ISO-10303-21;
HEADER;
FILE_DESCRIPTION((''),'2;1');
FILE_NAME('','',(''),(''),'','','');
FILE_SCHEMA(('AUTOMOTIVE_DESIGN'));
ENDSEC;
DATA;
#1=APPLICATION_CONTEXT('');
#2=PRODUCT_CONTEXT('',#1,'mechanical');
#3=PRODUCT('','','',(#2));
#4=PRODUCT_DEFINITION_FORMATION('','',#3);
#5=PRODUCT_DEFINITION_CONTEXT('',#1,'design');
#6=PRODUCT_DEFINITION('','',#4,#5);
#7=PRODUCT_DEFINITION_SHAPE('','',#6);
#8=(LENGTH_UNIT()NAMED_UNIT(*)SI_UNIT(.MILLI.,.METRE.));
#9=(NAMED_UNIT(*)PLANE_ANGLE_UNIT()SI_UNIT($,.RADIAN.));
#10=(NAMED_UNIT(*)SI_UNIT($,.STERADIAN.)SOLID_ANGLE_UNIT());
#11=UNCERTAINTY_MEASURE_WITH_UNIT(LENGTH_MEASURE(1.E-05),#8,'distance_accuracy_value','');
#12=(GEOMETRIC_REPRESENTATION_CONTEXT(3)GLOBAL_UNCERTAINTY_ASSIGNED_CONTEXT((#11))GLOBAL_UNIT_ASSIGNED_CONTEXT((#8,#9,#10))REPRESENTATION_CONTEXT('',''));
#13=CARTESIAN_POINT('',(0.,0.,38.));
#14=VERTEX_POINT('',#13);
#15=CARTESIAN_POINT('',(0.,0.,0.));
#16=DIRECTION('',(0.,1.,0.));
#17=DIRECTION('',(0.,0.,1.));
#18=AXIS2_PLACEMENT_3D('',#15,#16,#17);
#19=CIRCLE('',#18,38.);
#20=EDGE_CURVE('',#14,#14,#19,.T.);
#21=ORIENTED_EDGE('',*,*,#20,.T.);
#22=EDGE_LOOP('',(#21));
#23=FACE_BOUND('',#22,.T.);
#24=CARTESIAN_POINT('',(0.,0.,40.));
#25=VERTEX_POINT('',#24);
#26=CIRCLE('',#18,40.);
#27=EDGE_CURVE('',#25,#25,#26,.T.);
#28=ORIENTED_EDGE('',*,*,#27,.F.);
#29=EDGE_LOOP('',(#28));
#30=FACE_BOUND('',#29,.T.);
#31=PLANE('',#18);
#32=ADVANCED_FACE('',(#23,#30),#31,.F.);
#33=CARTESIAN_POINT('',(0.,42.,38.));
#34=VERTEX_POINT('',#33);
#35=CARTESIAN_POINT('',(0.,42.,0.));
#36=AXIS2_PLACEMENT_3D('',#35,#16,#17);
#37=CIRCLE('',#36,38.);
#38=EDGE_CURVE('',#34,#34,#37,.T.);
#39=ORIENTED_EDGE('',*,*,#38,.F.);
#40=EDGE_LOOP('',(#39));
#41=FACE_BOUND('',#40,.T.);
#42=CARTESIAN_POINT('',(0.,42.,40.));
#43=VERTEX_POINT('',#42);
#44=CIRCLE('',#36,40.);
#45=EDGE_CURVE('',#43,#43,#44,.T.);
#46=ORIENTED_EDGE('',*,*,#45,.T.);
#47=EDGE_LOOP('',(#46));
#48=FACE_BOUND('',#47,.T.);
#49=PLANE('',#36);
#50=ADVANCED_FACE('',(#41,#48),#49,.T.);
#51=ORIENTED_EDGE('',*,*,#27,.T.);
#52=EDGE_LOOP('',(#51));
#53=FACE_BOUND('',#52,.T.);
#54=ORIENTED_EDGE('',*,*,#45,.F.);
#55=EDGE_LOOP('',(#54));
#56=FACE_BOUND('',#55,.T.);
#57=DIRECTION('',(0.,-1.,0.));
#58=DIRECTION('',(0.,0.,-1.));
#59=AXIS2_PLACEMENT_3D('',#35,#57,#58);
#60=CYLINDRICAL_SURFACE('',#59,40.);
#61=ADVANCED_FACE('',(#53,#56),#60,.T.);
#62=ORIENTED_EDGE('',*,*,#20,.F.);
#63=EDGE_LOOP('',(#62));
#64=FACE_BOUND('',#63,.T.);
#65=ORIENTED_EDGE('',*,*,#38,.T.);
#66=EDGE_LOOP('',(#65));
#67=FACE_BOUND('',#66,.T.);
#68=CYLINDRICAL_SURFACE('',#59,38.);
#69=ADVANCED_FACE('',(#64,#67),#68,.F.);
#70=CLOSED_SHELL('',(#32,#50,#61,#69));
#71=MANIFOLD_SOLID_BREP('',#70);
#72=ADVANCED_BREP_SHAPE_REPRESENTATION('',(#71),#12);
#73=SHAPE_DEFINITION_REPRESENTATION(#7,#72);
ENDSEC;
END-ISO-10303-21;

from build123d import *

# Parameters (mm, degrees)
SKETCH_1_R      = 40
SKETCH_1_R_2    = 38
EXTRUDE_1_DEPTH = 42


with BuildPart() as part:
    # 草图1 → 凸台-拉伸1 (new body)
    with BuildSketch(Plane(origin=(0, 0, 0), x_dir=(1, 0, 0), z_dir=(0, 1, 0))):
        Circle(SKETCH_1_R)
        Circle(SKETCH_1_R_2, mode=Mode.SUBTRACT)
    extrude(amount=EXTRUDE_1_DEPTH)


solid = part.part
